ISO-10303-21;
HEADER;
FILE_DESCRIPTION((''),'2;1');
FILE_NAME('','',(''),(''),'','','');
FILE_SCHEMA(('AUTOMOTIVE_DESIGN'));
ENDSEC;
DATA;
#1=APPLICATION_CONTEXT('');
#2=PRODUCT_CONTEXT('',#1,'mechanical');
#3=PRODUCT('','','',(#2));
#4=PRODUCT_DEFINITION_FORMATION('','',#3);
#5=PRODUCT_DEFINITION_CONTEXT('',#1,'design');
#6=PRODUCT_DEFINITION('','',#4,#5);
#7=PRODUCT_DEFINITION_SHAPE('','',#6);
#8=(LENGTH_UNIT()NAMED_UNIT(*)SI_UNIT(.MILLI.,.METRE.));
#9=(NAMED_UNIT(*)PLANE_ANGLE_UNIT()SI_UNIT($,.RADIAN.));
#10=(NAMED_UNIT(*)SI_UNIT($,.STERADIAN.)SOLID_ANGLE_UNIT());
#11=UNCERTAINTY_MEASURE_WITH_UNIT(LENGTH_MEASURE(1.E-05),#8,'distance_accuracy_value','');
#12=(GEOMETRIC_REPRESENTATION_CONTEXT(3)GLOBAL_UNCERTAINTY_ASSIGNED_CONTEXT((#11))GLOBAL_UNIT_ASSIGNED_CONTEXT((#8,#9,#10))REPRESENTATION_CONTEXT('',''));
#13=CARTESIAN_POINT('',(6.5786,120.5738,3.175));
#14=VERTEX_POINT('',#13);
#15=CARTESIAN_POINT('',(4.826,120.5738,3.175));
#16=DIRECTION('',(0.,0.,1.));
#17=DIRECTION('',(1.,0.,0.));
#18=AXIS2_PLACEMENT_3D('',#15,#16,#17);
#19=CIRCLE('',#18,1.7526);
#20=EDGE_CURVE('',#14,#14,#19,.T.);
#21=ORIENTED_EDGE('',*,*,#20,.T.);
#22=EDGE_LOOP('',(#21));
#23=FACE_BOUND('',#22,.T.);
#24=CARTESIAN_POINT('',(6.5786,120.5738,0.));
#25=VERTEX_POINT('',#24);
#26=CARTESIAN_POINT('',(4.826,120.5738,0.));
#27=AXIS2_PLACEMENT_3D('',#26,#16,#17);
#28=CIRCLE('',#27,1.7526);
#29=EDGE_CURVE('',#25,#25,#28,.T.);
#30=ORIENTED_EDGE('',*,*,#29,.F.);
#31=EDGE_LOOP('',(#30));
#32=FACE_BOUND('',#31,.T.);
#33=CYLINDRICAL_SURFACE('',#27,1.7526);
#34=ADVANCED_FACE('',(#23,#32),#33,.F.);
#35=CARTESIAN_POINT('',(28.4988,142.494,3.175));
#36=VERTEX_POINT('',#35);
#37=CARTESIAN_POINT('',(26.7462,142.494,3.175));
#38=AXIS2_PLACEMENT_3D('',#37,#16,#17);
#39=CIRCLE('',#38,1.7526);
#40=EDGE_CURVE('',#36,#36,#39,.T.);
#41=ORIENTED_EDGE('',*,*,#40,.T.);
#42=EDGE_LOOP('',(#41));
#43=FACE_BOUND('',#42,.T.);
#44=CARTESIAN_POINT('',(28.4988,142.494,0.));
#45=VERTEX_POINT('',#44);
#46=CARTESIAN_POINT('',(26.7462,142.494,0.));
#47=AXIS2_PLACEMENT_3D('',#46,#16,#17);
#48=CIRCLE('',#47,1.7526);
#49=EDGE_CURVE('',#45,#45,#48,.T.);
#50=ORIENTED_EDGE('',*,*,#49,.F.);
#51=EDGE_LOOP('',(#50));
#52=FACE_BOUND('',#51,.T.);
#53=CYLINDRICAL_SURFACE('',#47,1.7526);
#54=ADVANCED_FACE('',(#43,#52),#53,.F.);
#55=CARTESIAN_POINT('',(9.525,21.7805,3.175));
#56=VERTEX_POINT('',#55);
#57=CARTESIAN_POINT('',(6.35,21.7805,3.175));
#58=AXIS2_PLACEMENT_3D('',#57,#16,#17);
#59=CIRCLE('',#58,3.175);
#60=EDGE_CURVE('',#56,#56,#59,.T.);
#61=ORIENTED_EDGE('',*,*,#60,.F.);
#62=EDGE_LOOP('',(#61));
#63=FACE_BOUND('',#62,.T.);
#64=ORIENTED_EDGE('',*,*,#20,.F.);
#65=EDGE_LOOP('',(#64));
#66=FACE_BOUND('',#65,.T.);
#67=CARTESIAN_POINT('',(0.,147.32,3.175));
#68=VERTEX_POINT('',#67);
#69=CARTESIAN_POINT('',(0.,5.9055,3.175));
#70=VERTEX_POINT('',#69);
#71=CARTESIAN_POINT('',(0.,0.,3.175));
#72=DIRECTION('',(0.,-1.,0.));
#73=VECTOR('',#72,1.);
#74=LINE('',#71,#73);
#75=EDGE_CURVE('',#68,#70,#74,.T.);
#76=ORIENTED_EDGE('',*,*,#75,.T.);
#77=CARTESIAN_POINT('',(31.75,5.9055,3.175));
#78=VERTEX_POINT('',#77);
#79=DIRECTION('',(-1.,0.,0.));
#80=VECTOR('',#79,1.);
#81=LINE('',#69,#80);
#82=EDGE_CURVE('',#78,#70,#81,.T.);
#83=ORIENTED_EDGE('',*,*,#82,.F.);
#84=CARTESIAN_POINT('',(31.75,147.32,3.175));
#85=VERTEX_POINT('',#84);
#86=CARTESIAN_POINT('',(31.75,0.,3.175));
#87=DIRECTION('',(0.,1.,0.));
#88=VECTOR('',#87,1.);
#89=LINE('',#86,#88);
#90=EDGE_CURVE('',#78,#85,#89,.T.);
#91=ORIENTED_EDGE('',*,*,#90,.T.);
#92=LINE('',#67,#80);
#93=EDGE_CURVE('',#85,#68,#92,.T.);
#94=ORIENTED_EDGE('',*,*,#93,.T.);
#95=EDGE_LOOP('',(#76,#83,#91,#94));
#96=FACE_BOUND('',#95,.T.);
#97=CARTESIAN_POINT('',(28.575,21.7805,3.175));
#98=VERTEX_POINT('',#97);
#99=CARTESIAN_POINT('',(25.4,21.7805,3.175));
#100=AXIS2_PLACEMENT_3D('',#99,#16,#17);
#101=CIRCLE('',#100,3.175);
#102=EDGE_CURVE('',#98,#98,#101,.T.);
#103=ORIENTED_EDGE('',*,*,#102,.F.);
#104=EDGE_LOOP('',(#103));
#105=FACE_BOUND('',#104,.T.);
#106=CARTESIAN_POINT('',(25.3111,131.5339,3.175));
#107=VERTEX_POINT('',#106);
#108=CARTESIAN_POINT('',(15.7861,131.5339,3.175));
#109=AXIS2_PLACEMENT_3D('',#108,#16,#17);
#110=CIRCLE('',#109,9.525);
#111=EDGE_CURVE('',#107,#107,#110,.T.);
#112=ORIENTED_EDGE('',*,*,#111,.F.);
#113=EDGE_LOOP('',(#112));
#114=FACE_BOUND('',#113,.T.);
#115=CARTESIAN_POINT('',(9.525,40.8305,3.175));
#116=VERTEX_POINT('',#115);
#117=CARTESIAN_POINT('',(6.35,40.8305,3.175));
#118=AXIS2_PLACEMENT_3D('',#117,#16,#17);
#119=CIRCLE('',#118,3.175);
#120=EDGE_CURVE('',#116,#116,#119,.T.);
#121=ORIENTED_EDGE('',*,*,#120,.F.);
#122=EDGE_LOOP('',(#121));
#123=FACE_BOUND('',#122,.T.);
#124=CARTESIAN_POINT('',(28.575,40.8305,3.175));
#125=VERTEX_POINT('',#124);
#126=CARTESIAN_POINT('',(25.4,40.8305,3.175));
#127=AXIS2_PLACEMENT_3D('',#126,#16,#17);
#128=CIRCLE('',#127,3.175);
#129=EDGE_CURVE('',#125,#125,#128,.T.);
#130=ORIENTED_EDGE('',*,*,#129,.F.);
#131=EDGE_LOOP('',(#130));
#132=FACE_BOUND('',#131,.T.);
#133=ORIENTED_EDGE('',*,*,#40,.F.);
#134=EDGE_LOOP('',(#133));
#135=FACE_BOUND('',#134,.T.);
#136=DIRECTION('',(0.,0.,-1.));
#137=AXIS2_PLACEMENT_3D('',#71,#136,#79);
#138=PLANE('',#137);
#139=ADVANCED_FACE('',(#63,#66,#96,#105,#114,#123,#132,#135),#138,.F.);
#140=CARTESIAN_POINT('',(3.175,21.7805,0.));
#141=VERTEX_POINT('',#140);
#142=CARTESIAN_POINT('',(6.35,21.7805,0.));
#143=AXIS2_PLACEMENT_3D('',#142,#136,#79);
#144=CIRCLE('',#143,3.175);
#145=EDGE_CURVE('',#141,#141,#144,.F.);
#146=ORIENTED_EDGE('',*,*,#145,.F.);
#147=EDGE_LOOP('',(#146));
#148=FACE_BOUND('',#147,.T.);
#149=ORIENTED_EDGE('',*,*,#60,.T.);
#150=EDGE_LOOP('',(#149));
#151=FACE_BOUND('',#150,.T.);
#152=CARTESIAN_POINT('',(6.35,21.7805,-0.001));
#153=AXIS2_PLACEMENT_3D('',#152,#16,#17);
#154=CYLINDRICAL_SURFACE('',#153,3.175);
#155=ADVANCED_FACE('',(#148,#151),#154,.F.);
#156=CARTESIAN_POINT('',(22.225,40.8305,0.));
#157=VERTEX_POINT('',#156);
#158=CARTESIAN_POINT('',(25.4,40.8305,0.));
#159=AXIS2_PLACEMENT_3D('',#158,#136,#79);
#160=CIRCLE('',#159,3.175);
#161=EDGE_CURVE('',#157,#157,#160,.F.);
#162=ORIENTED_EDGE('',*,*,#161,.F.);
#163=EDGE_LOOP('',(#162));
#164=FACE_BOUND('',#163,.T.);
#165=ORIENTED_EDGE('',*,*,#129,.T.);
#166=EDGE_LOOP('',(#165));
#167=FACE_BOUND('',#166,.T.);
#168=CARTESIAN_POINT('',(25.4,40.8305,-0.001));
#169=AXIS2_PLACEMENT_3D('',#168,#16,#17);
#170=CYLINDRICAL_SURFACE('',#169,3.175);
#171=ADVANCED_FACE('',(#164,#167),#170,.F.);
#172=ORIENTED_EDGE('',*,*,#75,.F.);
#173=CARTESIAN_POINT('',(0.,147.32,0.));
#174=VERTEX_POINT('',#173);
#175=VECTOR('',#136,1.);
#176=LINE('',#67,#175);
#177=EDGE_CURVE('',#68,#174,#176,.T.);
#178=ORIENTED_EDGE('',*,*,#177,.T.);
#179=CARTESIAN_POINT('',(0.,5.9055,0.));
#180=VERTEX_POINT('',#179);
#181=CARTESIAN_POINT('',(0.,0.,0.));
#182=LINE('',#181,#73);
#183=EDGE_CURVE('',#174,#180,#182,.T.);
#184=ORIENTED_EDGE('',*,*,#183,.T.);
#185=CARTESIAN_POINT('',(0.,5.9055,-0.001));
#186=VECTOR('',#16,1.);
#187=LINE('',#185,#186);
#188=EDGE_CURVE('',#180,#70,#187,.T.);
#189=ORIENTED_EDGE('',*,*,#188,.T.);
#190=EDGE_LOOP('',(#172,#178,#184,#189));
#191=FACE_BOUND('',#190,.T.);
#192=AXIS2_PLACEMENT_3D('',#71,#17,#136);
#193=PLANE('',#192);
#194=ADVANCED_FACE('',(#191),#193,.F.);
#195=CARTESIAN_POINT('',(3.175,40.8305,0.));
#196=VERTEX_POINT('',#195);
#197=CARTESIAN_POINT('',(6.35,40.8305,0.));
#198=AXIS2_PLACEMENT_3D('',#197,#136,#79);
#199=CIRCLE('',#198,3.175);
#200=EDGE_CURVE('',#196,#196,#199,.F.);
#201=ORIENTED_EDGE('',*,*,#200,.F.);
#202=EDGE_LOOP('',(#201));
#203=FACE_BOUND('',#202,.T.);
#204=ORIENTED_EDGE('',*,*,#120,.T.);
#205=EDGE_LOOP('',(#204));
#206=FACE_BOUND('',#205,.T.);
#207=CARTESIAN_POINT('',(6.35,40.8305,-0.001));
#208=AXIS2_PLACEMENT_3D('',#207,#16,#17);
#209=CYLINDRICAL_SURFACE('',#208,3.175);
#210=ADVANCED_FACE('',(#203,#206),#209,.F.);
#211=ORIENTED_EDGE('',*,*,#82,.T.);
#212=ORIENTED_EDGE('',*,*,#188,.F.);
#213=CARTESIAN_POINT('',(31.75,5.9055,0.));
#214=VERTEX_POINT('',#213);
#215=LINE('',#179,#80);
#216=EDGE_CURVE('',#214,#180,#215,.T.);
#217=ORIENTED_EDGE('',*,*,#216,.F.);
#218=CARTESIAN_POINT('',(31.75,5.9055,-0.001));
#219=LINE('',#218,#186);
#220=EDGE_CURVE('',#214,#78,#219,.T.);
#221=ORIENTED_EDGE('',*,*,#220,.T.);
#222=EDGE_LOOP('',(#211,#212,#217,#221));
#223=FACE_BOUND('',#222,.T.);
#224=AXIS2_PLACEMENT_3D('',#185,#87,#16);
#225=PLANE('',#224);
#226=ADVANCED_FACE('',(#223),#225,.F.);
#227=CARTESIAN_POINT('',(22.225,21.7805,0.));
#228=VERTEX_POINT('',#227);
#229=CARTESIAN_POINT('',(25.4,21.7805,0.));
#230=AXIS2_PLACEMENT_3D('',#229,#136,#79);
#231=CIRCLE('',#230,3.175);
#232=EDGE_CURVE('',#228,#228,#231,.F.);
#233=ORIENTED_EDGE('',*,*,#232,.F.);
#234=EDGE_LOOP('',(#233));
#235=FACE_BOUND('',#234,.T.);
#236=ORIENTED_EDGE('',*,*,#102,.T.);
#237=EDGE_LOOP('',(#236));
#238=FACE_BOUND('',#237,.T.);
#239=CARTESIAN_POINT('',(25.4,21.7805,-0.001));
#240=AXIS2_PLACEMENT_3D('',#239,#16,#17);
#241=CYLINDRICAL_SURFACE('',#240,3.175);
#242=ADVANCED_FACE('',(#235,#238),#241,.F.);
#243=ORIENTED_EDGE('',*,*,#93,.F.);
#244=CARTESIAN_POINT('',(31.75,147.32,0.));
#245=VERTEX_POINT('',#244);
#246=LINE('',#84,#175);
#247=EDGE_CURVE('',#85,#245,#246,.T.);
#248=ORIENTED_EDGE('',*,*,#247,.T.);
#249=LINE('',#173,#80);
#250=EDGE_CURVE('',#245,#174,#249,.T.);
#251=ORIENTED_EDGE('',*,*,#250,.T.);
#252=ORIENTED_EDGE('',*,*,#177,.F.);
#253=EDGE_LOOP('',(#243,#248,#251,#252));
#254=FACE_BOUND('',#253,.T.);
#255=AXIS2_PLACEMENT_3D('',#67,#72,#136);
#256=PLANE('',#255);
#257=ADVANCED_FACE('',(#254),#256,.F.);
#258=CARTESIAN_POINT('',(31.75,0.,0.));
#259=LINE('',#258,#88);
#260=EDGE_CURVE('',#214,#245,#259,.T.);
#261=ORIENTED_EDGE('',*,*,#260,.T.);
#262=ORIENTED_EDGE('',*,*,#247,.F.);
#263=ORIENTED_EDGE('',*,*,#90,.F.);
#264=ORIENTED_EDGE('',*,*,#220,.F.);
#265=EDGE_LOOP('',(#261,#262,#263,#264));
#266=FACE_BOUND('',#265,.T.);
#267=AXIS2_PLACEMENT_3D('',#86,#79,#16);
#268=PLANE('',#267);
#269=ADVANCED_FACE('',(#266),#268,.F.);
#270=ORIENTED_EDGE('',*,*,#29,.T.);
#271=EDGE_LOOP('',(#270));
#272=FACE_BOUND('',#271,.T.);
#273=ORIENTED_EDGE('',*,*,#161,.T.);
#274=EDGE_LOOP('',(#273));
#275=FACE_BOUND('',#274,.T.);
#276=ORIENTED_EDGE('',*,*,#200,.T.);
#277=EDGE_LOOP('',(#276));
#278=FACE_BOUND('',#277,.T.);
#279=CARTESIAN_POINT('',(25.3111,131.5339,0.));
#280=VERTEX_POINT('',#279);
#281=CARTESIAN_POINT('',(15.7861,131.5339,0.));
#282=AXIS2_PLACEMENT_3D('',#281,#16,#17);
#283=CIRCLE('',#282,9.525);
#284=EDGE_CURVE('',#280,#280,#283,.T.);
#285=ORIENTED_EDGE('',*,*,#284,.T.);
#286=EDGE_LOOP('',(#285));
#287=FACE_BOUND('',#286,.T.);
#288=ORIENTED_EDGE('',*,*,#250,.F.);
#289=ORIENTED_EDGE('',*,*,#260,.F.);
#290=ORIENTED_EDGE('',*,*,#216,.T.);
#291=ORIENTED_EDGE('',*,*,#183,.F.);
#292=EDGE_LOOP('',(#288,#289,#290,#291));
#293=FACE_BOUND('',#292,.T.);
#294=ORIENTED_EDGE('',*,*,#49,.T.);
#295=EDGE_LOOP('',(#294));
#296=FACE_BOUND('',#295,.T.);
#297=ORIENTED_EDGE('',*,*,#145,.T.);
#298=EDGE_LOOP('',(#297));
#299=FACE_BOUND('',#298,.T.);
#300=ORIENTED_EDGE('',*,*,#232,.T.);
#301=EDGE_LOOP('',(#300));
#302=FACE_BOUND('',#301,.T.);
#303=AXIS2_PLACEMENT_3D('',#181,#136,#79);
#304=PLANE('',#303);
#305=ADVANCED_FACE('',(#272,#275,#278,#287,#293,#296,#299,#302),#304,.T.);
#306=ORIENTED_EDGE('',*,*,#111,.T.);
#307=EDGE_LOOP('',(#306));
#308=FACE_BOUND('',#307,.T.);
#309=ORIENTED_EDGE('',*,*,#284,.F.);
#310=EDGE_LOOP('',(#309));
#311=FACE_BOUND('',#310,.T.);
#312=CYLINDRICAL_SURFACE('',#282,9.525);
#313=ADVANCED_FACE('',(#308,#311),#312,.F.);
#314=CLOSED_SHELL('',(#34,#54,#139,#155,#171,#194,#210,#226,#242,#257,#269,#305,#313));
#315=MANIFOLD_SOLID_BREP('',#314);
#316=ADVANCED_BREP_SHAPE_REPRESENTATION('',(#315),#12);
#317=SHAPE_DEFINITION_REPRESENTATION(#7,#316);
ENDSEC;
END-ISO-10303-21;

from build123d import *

# Parameters (mm, degrees)
SKETCH1_W           = 31.75
SKETCH1_H           = 147.32
BOSS_EXTRUDE1_DEPTH = 3.175
CUT_EXTRUDE4_REACH  = 5.175
SKETCH5_W           = 31.75
SKETCH5_H           = 5.842
CUT_EXTRUDE5_REACH  = 5.175
SKETCH6_W           = 31.75
SKETCH6_H           = 0.0635
CUT_EXTRUDE6_REACH  = 5.175
SKETCH8_R           = 3.175
SKETCH10_R          = 9.525
CUT_EXTRUDE7_DEPTH  = 4.175


with BuildPart() as part:
    # Sketch1 → Boss-Extrude1 (new body)
    with BuildSketch(Plane.XY):
        with Locations((15.875, 73.66)):
            Rectangle(SKETCH1_W, SKETCH1_H)
    extrude(amount=BOSS_EXTRUDE1_DEPTH)

    # Sketch5 → Cut-Extrude4 (cut, up to next)
    with BuildSketch(Plane.XY.offset(3.175), mode=Mode.PRIVATE) as cut_extrude4_sk1:
        with Locations((15.875, 2.921)):
            Rectangle(SKETCH5_W, SKETCH5_H)
    cut_extrude4_tool1 = extrude(cut_extrude4_sk1.sketch, amount=-CUT_EXTRUDE4_REACH, mode=Mode.PRIVATE) & part.part
    add(cut_extrude4_tool1.solids().sort_by_distance((15.875, 2.921, 3.175))[0], mode=Mode.SUBTRACT)

    # Sketch6 → Cut-Extrude5 (cut, up to next)
    with BuildSketch(Plane.XY.offset(3.175), mode=Mode.PRIVATE) as cut_extrude5_sk1:
        with Locations((15.875, 5.87375)):
            Rectangle(SKETCH6_W, SKETCH6_H)
    cut_extrude5_tool1 = extrude(cut_extrude5_sk1.sketch, amount=-CUT_EXTRUDE5_REACH, mode=Mode.PRIVATE) & part.part
    add(cut_extrude5_tool1.solids().sort_by_distance((15.875, 5.87375, 3.175))[0], mode=Mode.SUBTRACT)

    # Sketch8 → Cut-Extrude6 (cut, up to next)
    with BuildSketch(Plane.XY.offset(3.175), mode=Mode.PRIVATE) as cut_extrude6_sk1:
        with Locations((25.4, 40.8305)):
            Circle(SKETCH8_R)
    cut_extrude6_tool1 = extrude(cut_extrude6_sk1.sketch, amount=-CUT_EXTRUDE6_REACH, mode=Mode.PRIVATE) & part.part
    add(cut_extrude6_tool1.solids().sort_by_distance((25.4, 40.8305, 3.175))[0], mode=Mode.SUBTRACT)
    # Sketch8 → Cut-Extrude6 (cut, up to next)
    with BuildSketch(Plane.XY.offset(3.175), mode=Mode.PRIVATE) as cut_extrude6_sk2:
        with Locations((6.35, 40.8305)):
            Circle(SKETCH8_R)
    cut_extrude6_tool2 = extrude(cut_extrude6_sk2.sketch, amount=-CUT_EXTRUDE6_REACH, mode=Mode.PRIVATE) & part.part
    add(cut_extrude6_tool2.solids().sort_by_distance((6.35, 40.8305, 3.175))[0], mode=Mode.SUBTRACT)
    # Sketch8 → Cut-Extrude6 (cut, up to next)
    with BuildSketch(Plane.XY.offset(3.175), mode=Mode.PRIVATE) as cut_extrude6_sk3:
        with Locations((6.35, 21.7805)):
            Circle(SKETCH8_R)
    cut_extrude6_tool3 = extrude(cut_extrude6_sk3.sketch, amount=-CUT_EXTRUDE6_REACH, mode=Mode.PRIVATE) & part.part
    add(cut_extrude6_tool3.solids().sort_by_distance((6.35, 21.7805, 3.175))[0], mode=Mode.SUBTRACT)
    # Sketch8 → Cut-Extrude6 (cut, up to next)
    with BuildSketch(Plane.XY.offset(3.175), mode=Mode.PRIVATE) as cut_extrude6_sk4:
        with Locations((25.4, 21.7805)):
            Circle(SKETCH8_R)
    cut_extrude6_tool4 = extrude(cut_extrude6_sk4.sketch, amount=-CUT_EXTRUDE6_REACH, mode=Mode.PRIVATE) & part.part
    add(cut_extrude6_tool4.solids().sort_by_distance((25.4, 21.7805, 3.175))[0], mode=Mode.SUBTRACT)

    # Sketch10 → Cut-Extrude7 (cut, through all)
    with BuildSketch(Plane.XY.offset(3.175)):
        with Locations((15.7861, 131.5339)):
            Circle(SKETCH10_R)
        with BuildLine():
            ThreePointArc((6.5786, 120.5738), (4.826, 122.3264), (3.0734, 120.5738))
            ThreePointArc((3.0734, 120.5738), (4.826, 118.8212), (6.5786, 120.5738))
        make_face()
        with BuildLine():
            ThreePointArc((24.9936, 142.494), (26.7462, 140.7414), (28.4988, 142.494))
            ThreePointArc((28.4988, 142.494), (26.7462, 144.2466), (24.9936, 142.494))
        make_face()
    extrude(amount=-CUT_EXTRUDE7_DEPTH, mode=Mode.SUBTRACT)


solid = part.part
